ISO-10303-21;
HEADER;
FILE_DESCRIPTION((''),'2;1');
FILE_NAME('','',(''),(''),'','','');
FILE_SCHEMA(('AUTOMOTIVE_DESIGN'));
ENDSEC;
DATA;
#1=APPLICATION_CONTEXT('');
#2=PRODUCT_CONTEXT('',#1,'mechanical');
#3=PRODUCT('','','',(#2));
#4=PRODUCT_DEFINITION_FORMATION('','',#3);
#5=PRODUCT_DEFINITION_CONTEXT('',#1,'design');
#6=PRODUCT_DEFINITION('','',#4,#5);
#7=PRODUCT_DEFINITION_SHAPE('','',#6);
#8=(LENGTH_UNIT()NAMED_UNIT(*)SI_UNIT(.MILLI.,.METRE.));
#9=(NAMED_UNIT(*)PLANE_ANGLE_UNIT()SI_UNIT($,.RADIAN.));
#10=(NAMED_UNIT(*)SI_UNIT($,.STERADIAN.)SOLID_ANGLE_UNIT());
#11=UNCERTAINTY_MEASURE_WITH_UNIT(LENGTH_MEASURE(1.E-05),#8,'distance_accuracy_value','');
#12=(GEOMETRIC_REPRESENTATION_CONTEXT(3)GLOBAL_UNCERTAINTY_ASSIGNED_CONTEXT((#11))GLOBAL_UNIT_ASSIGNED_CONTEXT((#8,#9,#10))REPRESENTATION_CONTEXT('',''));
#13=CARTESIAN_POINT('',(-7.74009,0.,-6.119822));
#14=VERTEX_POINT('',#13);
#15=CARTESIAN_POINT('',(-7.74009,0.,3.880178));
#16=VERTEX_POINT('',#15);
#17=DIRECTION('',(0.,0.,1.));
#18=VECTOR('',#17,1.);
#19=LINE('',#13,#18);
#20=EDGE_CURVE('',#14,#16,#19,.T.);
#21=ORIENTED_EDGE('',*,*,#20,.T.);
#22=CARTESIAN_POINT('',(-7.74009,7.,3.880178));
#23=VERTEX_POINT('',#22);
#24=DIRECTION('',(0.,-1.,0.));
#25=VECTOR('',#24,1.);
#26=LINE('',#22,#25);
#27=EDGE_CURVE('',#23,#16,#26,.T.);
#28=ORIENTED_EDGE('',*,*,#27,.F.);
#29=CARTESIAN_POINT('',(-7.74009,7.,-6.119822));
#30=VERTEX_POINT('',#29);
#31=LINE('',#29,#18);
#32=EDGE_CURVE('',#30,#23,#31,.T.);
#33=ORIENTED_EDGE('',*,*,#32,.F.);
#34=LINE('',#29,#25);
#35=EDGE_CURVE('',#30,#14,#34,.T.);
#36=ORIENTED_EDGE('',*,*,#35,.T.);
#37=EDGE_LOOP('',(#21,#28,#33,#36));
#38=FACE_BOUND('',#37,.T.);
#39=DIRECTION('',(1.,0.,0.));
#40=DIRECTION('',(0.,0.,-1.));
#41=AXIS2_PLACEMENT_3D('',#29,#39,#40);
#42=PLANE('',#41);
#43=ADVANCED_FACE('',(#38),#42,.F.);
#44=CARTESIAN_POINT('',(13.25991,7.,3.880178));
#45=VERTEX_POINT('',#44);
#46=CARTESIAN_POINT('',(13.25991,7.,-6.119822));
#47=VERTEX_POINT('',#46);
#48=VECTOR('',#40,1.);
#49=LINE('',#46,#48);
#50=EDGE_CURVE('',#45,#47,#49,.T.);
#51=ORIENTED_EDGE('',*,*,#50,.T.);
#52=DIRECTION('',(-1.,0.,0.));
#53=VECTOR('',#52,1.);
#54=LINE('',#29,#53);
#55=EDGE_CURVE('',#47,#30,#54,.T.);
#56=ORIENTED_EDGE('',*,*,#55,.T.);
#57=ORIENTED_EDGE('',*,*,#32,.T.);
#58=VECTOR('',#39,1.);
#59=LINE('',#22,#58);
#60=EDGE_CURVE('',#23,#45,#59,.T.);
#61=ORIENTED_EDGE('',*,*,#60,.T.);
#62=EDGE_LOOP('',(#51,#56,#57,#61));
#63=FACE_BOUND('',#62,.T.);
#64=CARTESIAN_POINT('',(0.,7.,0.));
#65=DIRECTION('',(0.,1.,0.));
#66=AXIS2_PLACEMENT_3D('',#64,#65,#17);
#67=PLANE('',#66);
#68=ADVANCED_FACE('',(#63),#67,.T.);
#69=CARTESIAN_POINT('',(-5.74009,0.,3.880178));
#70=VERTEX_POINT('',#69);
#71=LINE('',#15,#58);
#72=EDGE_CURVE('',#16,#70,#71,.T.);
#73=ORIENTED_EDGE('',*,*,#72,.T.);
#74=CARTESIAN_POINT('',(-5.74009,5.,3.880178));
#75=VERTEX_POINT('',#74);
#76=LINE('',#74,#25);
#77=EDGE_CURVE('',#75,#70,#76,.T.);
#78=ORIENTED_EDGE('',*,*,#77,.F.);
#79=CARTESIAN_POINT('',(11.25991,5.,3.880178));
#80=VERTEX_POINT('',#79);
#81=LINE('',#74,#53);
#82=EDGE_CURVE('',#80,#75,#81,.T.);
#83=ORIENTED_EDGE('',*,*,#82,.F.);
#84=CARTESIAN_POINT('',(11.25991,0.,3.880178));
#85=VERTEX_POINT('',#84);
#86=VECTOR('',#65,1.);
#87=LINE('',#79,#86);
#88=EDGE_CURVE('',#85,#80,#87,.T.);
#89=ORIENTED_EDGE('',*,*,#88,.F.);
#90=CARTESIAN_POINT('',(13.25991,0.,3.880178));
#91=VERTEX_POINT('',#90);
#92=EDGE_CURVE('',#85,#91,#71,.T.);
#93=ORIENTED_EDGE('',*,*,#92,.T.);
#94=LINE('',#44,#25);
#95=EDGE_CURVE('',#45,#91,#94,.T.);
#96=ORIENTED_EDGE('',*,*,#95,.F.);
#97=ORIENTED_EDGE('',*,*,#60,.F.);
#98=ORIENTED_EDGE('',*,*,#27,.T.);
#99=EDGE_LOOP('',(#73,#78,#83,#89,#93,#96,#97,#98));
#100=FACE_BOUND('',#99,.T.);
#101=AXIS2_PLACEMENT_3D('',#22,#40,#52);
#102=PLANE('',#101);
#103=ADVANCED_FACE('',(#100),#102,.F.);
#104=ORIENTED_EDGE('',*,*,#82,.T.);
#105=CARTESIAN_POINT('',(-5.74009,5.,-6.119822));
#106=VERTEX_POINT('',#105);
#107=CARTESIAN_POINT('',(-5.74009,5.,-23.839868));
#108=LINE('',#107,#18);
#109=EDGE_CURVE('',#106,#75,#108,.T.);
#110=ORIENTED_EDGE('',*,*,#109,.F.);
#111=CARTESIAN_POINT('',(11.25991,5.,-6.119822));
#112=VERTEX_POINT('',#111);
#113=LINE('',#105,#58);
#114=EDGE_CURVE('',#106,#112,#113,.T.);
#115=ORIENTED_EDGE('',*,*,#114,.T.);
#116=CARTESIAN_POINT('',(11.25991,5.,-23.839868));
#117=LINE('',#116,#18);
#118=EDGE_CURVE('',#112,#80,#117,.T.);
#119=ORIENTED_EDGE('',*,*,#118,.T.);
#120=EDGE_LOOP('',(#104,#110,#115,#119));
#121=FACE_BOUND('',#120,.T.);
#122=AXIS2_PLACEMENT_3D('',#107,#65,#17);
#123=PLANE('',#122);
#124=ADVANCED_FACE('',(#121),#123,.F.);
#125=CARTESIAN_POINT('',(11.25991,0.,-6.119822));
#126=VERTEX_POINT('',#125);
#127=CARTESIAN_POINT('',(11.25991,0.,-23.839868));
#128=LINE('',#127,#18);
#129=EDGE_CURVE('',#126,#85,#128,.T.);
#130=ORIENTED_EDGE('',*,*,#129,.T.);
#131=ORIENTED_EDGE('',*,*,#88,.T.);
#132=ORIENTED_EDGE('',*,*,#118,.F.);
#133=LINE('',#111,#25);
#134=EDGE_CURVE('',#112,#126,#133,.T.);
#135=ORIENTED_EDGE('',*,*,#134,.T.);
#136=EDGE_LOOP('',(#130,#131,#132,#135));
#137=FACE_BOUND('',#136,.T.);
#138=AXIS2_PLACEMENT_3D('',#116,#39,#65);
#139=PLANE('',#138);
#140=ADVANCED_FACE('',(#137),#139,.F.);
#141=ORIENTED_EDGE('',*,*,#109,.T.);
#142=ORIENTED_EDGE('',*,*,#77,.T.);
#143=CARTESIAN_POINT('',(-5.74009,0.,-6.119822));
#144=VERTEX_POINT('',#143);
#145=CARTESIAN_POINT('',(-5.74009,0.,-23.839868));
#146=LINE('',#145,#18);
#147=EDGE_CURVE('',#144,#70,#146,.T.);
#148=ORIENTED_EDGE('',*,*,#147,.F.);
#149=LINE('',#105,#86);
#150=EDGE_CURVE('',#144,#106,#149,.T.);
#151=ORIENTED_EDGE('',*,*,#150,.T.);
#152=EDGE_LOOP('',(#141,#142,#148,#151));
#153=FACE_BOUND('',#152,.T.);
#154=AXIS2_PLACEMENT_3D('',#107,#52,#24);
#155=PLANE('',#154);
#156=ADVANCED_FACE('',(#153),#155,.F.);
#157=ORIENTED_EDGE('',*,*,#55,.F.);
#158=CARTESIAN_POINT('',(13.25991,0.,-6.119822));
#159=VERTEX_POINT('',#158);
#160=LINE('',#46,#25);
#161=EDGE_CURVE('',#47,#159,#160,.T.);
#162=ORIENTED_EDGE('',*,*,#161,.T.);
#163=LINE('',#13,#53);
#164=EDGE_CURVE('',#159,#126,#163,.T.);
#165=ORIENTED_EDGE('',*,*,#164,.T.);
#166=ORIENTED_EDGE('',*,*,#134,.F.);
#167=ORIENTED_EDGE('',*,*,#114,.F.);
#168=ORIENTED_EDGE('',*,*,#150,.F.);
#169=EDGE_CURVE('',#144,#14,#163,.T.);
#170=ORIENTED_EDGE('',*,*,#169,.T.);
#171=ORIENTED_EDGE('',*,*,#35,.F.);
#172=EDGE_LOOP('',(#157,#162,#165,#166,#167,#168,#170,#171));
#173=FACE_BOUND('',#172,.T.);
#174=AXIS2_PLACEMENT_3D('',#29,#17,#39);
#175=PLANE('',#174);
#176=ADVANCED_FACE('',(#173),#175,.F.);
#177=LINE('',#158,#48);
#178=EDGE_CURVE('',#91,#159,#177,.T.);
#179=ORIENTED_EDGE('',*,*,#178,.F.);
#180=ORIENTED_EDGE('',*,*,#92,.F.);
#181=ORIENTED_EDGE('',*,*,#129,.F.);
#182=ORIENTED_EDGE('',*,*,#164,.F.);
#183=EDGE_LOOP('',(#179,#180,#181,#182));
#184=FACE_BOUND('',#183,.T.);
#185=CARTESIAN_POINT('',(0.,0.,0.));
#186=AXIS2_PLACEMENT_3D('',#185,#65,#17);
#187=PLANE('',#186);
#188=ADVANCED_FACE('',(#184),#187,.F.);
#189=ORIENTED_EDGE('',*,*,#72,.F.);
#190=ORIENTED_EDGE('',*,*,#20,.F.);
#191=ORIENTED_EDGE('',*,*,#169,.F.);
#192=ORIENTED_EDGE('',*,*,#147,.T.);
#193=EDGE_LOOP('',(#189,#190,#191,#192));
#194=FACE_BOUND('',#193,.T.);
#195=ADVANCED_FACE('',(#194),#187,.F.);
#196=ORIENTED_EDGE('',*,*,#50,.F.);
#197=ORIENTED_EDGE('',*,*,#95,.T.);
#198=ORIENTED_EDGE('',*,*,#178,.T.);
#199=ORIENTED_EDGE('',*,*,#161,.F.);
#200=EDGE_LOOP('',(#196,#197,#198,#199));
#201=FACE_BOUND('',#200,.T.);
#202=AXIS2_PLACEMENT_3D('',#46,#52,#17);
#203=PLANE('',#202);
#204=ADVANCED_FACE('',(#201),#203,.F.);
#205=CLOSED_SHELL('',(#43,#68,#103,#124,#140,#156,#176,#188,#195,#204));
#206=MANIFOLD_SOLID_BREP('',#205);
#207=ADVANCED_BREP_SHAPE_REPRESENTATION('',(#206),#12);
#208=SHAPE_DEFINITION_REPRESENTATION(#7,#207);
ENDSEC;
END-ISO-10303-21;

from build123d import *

# Parameters (mm, degrees)
SKETCH1_W           = 21
SKETCH1_H           = 10
BOSS_EXTRUDE1_DEPTH = 7
SKETCH2_W           = 17
SKETCH2_H           = 5
CUT_EXTRUDE1_DEPTH  = 10


with BuildPart() as part:
    # Sketch1 → Boss-Extrude1 (new body)
    with BuildSketch(Plane(origin=(0, 0, 0), x_dir=(1, 0, 0), z_dir=(0, 1, 0))):
        with Locations((2.759910232, 1.119822485)):
            Rectangle(SKETCH1_W, SKETCH1_H)
    extrude(amount=BOSS_EXTRUDE1_DEPTH)

    # Sketch2 → Cut-Extrude1 (cut)
    with BuildSketch(Plane.XY.offset(3.880177515)):
        with Locations((2.759910232, 2.5)):
            Rectangle(SKETCH2_W, SKETCH2_H)
    extrude(amount=-CUT_EXTRUDE1_DEPTH, mode=Mode.SUBTRACT)


solid = part.part
